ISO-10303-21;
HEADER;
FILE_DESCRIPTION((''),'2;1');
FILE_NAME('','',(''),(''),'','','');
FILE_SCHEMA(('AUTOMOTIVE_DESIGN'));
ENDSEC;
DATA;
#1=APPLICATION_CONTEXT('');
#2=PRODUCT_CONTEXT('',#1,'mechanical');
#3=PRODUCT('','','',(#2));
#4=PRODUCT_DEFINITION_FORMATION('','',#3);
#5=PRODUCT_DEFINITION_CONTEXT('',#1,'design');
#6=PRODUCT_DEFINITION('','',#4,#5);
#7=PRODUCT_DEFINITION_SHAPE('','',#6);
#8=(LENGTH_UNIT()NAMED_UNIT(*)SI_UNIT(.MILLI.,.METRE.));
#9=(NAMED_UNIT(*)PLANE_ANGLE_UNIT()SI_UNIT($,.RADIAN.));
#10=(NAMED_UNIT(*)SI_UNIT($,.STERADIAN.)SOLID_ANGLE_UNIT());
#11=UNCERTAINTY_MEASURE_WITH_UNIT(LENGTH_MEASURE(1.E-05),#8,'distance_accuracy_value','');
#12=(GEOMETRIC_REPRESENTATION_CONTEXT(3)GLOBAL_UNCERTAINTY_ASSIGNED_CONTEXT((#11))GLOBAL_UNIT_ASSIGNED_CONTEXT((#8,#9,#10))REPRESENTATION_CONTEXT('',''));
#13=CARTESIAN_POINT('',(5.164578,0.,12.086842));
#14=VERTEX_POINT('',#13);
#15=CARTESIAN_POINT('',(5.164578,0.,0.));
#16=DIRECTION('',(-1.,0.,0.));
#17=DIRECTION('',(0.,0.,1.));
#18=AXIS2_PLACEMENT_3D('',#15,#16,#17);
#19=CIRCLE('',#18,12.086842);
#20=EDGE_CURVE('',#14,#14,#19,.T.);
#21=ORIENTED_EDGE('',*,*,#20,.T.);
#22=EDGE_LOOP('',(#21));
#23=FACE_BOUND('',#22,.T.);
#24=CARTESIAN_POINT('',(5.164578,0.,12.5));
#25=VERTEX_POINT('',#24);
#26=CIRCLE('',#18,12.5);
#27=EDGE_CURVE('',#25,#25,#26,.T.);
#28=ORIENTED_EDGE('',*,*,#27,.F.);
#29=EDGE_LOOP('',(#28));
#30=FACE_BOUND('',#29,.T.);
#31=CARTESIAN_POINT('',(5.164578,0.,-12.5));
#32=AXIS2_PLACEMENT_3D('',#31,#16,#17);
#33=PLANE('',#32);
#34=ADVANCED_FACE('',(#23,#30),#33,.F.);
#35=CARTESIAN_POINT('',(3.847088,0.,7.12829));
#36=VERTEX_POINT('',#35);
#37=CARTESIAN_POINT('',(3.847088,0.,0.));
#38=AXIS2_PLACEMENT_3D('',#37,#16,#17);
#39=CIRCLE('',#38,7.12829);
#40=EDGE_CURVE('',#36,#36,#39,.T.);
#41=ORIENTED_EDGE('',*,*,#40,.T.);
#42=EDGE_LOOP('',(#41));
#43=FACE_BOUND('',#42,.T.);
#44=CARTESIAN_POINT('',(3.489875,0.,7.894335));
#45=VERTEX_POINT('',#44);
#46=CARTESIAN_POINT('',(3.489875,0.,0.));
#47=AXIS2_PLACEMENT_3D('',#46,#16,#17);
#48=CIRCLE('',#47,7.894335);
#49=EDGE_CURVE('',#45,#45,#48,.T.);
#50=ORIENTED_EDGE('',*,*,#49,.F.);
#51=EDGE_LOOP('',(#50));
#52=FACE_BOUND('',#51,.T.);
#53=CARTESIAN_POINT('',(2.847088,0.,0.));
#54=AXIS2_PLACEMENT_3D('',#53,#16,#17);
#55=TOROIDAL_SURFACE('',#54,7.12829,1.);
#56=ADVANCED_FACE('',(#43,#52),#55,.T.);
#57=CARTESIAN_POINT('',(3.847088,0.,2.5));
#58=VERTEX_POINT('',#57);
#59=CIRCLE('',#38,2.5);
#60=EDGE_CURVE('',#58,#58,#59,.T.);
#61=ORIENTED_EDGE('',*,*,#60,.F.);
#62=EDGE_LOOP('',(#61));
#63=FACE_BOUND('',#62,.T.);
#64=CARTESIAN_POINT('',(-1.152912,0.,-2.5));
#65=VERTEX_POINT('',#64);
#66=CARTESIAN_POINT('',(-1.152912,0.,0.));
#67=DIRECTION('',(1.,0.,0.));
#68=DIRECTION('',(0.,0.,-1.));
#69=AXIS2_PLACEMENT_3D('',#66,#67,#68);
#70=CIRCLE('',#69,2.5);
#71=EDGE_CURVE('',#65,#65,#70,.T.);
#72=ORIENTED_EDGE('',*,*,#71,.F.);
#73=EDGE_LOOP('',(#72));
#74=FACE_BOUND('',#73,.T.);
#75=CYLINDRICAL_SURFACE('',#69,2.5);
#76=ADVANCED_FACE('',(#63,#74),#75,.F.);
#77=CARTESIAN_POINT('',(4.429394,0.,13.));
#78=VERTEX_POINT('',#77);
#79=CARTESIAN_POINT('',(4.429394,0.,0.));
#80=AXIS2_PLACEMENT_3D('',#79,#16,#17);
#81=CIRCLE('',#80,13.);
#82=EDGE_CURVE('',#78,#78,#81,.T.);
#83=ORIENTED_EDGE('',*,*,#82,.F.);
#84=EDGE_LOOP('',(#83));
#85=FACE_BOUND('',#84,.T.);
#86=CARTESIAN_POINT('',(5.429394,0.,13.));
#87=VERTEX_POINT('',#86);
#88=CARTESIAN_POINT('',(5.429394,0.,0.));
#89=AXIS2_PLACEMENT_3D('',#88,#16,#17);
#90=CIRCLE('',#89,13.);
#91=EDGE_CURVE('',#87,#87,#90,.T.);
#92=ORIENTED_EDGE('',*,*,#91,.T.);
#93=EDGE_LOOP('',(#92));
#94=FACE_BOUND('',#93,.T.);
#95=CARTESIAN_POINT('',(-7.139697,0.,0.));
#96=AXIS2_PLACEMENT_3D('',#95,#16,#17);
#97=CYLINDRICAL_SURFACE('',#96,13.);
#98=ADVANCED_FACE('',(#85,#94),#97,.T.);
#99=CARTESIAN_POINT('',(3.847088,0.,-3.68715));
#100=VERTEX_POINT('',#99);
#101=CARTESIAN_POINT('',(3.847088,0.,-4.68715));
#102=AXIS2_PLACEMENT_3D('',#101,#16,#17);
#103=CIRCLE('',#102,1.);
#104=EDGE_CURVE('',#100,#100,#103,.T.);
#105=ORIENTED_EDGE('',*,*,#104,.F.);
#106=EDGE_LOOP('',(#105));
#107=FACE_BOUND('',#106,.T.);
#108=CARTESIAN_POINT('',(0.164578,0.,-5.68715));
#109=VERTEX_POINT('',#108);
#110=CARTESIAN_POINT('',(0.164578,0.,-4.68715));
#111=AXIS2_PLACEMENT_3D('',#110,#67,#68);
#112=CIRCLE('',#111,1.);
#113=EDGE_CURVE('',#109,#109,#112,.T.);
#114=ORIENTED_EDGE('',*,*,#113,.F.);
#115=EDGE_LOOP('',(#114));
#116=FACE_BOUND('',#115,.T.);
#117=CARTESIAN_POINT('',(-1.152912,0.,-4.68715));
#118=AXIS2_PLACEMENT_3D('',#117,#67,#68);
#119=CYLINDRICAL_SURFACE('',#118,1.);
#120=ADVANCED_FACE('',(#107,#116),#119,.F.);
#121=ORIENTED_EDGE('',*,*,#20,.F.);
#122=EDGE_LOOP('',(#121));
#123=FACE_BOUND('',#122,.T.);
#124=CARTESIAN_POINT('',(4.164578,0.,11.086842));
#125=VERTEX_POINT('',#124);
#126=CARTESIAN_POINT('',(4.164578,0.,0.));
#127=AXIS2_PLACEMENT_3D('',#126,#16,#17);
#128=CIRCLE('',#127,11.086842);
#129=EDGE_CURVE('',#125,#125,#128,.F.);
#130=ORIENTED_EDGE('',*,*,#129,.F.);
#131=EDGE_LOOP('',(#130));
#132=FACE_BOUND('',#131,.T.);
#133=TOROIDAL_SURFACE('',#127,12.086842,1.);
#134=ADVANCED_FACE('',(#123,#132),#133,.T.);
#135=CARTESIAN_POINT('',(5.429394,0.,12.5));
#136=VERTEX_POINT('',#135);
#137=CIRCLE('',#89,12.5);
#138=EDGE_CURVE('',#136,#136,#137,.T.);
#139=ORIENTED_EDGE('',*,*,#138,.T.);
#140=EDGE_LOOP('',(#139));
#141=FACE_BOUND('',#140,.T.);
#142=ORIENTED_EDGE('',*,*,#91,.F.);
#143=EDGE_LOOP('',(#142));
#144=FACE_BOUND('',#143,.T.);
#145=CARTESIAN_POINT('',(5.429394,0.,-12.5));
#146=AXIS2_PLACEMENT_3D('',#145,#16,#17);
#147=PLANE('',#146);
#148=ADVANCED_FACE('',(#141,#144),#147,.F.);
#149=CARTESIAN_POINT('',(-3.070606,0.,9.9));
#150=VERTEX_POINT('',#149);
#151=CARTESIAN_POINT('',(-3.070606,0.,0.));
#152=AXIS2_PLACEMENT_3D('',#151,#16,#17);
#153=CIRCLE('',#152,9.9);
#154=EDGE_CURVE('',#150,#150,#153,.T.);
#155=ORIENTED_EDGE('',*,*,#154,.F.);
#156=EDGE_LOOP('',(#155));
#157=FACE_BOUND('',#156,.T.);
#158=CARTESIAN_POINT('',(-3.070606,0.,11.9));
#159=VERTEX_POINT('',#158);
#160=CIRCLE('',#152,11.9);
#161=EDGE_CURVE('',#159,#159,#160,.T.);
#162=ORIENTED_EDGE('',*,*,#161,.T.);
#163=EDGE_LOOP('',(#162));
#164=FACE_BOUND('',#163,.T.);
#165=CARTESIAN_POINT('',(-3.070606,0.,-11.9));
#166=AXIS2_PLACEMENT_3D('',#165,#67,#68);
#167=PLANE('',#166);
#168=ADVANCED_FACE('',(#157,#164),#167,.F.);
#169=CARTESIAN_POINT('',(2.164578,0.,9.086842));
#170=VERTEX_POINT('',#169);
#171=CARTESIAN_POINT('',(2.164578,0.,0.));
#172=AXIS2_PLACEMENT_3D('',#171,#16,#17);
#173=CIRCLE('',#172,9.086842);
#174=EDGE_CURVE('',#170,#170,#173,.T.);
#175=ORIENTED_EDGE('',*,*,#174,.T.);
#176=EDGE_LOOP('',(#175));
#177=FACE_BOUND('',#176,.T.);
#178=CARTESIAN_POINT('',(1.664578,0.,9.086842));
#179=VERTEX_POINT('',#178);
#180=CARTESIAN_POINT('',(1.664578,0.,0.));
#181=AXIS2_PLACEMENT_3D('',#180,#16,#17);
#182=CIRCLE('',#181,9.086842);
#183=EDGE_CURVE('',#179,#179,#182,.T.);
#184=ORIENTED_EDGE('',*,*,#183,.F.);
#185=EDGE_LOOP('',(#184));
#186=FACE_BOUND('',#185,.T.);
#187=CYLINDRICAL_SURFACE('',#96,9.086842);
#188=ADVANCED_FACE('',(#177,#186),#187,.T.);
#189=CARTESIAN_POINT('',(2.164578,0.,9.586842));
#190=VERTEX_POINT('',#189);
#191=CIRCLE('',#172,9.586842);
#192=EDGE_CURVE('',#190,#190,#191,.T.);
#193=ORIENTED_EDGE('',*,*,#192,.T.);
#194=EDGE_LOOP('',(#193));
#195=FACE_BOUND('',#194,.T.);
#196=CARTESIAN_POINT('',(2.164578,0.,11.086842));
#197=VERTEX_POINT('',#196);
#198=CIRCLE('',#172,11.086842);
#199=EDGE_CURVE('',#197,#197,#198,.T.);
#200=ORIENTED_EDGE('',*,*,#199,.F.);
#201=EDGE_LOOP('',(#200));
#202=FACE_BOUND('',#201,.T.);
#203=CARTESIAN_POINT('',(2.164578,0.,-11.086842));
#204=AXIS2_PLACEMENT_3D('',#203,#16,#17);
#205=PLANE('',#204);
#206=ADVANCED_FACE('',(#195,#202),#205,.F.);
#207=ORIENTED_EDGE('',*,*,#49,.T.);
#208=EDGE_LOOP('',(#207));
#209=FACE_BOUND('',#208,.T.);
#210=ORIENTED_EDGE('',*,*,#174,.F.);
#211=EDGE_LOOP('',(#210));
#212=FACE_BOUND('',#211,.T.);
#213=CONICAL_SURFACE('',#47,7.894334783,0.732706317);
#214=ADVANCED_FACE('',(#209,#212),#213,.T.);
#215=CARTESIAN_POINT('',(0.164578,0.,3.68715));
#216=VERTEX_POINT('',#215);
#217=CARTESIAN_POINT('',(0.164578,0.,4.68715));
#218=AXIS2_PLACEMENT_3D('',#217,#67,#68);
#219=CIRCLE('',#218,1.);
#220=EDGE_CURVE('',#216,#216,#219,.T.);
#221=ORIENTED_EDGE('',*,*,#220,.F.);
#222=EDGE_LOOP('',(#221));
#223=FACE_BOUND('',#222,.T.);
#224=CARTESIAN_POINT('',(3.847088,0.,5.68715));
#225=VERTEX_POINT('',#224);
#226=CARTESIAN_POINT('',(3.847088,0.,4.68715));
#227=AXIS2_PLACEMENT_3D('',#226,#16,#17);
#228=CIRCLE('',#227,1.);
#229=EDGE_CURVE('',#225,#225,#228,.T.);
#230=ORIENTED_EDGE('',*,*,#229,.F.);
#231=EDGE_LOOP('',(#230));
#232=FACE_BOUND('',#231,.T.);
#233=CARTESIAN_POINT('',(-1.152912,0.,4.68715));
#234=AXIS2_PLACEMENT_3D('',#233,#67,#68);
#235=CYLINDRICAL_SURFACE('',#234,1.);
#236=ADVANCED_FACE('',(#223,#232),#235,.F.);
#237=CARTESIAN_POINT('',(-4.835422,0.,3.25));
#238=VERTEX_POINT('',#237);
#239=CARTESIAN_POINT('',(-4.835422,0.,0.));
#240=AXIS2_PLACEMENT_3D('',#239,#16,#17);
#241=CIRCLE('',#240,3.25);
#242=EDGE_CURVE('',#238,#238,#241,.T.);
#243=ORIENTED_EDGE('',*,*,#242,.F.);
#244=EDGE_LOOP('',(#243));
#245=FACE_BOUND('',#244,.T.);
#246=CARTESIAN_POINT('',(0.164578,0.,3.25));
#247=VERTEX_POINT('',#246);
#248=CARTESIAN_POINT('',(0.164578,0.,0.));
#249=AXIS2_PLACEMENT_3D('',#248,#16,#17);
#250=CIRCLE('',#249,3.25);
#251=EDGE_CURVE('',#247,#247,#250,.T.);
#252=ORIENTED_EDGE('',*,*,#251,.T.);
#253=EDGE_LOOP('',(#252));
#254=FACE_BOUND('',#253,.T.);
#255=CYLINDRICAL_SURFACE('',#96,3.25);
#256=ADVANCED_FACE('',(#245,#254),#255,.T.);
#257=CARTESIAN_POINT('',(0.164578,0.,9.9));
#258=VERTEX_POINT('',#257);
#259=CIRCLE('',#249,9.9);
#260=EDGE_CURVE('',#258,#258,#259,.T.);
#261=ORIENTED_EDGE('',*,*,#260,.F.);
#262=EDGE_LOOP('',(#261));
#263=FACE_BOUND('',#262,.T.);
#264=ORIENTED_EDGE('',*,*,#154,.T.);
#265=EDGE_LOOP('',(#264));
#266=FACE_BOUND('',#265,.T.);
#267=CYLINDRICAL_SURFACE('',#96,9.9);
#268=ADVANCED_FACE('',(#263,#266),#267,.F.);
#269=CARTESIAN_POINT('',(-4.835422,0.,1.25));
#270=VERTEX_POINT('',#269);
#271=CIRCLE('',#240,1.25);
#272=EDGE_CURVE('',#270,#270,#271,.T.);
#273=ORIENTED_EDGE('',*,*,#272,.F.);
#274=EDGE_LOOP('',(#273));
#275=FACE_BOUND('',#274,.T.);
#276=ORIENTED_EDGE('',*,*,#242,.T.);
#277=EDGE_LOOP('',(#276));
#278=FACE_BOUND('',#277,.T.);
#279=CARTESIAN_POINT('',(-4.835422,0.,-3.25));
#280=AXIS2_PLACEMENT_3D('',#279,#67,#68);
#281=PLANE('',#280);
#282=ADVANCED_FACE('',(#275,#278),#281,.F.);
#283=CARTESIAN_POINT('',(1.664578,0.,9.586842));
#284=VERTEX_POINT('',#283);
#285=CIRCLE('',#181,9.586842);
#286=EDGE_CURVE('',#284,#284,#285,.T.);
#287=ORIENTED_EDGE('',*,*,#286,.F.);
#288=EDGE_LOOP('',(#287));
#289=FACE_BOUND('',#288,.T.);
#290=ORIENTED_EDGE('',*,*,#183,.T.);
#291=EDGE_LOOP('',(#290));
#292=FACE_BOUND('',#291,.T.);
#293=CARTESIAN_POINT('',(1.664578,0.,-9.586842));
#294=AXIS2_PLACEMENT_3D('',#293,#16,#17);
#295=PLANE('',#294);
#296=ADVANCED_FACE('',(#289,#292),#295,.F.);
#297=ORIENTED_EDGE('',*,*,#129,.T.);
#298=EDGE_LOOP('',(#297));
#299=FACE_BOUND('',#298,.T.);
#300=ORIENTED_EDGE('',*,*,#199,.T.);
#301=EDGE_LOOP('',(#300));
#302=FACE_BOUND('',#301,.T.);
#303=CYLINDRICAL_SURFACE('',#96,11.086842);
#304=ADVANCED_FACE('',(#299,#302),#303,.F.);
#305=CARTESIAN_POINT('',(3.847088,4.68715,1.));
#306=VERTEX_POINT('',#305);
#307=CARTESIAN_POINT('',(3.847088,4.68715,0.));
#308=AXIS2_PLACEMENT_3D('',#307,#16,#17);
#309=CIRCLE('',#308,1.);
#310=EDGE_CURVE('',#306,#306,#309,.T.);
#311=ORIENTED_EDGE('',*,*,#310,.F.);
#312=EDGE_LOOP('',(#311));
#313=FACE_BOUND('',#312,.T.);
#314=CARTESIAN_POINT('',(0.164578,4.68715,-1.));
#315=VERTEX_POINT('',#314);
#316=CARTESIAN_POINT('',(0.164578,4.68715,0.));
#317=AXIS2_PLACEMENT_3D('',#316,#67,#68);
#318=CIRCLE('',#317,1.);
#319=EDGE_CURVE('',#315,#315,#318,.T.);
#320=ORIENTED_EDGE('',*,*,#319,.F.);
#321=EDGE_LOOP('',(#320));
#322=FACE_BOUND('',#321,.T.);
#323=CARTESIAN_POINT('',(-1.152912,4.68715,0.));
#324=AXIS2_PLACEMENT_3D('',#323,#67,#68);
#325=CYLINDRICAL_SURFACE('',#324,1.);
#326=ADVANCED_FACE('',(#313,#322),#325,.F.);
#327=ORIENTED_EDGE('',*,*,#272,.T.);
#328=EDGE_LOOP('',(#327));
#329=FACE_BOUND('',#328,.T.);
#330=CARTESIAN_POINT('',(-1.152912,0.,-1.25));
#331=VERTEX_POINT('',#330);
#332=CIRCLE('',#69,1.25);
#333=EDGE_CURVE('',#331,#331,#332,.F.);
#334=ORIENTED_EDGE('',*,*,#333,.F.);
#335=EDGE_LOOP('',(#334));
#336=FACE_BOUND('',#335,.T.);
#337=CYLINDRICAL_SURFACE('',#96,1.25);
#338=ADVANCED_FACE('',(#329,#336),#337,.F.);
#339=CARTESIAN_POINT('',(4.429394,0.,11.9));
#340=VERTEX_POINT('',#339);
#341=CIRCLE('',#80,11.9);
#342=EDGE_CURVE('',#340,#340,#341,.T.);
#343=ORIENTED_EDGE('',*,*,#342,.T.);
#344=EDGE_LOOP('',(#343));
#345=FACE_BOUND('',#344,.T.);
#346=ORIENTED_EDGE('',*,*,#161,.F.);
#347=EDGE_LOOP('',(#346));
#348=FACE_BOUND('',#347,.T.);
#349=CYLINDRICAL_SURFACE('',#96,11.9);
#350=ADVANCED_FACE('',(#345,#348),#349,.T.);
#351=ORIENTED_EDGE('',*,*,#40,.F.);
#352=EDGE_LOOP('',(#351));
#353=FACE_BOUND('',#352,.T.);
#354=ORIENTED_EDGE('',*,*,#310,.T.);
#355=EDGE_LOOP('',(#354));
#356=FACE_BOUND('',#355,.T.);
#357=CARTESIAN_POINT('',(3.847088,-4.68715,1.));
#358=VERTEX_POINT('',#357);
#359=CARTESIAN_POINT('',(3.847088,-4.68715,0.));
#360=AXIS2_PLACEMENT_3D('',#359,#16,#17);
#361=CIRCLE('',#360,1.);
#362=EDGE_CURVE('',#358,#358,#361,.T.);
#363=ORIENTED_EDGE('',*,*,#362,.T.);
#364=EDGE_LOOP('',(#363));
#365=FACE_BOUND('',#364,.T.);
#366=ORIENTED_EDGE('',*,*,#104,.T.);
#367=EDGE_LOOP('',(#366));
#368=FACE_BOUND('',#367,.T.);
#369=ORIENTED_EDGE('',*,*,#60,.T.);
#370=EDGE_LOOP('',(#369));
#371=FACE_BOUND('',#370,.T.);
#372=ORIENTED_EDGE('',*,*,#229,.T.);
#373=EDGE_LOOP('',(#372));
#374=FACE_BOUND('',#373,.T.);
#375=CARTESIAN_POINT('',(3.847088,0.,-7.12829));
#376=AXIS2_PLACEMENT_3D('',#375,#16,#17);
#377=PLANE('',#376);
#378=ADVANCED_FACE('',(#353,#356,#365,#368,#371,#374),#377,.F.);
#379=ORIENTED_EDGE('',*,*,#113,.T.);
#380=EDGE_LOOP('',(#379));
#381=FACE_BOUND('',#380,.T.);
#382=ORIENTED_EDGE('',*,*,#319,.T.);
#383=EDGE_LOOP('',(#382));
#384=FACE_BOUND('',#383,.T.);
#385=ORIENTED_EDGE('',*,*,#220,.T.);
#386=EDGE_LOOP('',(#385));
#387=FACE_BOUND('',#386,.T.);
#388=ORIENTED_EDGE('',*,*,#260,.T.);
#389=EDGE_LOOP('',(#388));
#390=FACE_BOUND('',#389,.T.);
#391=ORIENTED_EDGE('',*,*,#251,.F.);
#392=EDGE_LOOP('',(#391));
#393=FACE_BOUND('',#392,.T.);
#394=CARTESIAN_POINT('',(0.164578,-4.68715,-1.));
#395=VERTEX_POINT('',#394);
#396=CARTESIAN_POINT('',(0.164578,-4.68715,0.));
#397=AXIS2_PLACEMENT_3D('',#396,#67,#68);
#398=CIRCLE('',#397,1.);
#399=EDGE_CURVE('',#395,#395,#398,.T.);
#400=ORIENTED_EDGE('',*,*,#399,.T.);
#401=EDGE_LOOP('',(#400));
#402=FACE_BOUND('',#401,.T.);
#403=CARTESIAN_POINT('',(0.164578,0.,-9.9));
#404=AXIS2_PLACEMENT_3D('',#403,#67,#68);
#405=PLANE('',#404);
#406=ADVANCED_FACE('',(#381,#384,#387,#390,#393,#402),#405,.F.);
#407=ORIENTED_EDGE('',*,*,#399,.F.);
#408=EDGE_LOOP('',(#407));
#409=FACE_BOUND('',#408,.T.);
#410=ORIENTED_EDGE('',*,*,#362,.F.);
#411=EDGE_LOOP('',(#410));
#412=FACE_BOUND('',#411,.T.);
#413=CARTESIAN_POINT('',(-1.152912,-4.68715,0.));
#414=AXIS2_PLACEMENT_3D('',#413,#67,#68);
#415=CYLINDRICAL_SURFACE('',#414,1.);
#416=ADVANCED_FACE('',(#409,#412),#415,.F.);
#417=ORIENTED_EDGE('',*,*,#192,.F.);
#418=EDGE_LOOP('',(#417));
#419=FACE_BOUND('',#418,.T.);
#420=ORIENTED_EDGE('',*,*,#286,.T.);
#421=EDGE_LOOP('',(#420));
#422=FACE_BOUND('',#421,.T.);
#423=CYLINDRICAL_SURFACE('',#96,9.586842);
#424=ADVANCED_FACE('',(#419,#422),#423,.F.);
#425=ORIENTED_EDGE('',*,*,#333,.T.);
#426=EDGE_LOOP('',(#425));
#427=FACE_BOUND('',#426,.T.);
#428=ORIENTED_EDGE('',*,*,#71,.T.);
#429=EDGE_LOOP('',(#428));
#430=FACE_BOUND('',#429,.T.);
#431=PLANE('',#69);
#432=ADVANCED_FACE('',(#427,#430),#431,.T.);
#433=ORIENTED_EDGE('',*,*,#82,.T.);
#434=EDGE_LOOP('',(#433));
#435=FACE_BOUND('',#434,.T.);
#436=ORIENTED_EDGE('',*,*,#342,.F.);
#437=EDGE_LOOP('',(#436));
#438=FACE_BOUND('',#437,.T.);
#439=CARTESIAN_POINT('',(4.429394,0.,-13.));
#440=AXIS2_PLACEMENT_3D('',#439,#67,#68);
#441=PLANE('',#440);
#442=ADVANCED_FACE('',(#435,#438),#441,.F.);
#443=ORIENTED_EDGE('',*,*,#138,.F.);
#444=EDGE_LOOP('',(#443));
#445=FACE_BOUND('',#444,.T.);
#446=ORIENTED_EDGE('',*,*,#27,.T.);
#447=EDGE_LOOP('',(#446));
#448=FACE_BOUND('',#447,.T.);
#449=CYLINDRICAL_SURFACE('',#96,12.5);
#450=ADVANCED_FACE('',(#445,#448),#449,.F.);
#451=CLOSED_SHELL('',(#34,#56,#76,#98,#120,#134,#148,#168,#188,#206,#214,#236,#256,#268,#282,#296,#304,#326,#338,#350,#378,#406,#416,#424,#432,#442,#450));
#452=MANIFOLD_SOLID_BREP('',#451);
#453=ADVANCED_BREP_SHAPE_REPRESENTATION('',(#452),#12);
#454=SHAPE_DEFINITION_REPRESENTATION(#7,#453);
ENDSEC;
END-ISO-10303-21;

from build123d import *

# Parameters (mm, degrees)
FILLET1_R          = 1
SKETCH2_R          = 2.5
SKETCH2_R_2        = 1
CUT_EXTRUDE1_DEPTH = 5


with BuildPart() as part:
    # Sketch1 → Revolve1 (revolve)
    with BuildSketch(Plane(origin=(0, 0, 0), x_dir=(1, 0, 0), z_dir=(0, 1, 0))):
        with BuildLine():
            Line((5.429394359, 13), (4.429394359, 13))
            Line((4.429394359, 13), (4.429394359, 11.9))
            Line((4.429394359, 11.9), (-3.070605641, 11.9))
            Line((-3.070605641, 11.9), (-3.070605641, 9.9))
            Line((-3.070605641, 9.9), (0.164577559, 9.9))
            Line((0.164577559, 9.9), (0.164577559, 7.086841674))
            Line((0.164577559, 7.086841674), (0.164577559, 3.25))
            Line((0.164577559, 3.25), (-4.835422441, 3.25))
            Line((-4.835422441, 3.25), (-4.835422441, 1.25))
            Line((-4.835422441, 1.25), (1.847087525, 1.25))
            Line((1.847087525, 1.25), (1.847087525, 0))
            Line((1.847087525, 0), (3.847087525, 0))
            Line((3.847087525, 0), (3.847087525, 7.12829034))
            ThreePointArc((3.847087525, 7.12829034), (3.753395312, 7.550908601), (3.489875135, 7.894334783))
            Line((3.489875135, 7.894334783), (2.164577559, 9.086841674))
            Line((2.164577559, 9.086841674), (1.664577559, 9.086841674))
            Line((1.664577559, 9.086841674), (1.664577559, 9.586841674))
            Line((1.664577559, 9.586841674), (2.164577559, 9.586841674))
            Line((2.164577559, 9.586841674), (2.164577559, 11.086841674))
            Line((2.164577559, 11.086841674), (5.164577559, 11.086841674))
            Line((5.164577559, 11.086841674), (5.164577559, 12.5))
            Line((5.164577559, 12.5), (5.429394359, 12.5))
            Line((5.429394359, 12.5), (5.429394359, 13))
        make_face()
    revolve(axis=Axis((-7.139696802, 0, 0), (1, 0, 0)))

    # Fillet1
    fillet1_edges = [part.edges().sort_by_distance(p)[0] for p in [
        (5.164577559, 0, 11.086841674),
    ]]
    fillet(fillet1_edges, radius=FILLET1_R)

    # Sketch2 → Cut-Extrude1 (cut, symmetric)
    with BuildSketch(Plane(origin=(3.847087525, 0, 0), x_dir=(0, 0, -1), z_dir=(1, 0, 0))):
        Circle(SKETCH2_R)
        with Locations((0, 4.68715006)):
            Circle(SKETCH2_R_2)
        with Locations((4.68715006, 0)):
            Circle(SKETCH2_R_2)
        with Locations((0, -4.68715006)):
            Circle(SKETCH2_R_2)
        with Locations((-4.68715006, 0)):
            Circle(SKETCH2_R_2)
    extrude(amount=CUT_EXTRUDE1_DEPTH, both=True, mode=Mode.SUBTRACT)


solid = part.part
